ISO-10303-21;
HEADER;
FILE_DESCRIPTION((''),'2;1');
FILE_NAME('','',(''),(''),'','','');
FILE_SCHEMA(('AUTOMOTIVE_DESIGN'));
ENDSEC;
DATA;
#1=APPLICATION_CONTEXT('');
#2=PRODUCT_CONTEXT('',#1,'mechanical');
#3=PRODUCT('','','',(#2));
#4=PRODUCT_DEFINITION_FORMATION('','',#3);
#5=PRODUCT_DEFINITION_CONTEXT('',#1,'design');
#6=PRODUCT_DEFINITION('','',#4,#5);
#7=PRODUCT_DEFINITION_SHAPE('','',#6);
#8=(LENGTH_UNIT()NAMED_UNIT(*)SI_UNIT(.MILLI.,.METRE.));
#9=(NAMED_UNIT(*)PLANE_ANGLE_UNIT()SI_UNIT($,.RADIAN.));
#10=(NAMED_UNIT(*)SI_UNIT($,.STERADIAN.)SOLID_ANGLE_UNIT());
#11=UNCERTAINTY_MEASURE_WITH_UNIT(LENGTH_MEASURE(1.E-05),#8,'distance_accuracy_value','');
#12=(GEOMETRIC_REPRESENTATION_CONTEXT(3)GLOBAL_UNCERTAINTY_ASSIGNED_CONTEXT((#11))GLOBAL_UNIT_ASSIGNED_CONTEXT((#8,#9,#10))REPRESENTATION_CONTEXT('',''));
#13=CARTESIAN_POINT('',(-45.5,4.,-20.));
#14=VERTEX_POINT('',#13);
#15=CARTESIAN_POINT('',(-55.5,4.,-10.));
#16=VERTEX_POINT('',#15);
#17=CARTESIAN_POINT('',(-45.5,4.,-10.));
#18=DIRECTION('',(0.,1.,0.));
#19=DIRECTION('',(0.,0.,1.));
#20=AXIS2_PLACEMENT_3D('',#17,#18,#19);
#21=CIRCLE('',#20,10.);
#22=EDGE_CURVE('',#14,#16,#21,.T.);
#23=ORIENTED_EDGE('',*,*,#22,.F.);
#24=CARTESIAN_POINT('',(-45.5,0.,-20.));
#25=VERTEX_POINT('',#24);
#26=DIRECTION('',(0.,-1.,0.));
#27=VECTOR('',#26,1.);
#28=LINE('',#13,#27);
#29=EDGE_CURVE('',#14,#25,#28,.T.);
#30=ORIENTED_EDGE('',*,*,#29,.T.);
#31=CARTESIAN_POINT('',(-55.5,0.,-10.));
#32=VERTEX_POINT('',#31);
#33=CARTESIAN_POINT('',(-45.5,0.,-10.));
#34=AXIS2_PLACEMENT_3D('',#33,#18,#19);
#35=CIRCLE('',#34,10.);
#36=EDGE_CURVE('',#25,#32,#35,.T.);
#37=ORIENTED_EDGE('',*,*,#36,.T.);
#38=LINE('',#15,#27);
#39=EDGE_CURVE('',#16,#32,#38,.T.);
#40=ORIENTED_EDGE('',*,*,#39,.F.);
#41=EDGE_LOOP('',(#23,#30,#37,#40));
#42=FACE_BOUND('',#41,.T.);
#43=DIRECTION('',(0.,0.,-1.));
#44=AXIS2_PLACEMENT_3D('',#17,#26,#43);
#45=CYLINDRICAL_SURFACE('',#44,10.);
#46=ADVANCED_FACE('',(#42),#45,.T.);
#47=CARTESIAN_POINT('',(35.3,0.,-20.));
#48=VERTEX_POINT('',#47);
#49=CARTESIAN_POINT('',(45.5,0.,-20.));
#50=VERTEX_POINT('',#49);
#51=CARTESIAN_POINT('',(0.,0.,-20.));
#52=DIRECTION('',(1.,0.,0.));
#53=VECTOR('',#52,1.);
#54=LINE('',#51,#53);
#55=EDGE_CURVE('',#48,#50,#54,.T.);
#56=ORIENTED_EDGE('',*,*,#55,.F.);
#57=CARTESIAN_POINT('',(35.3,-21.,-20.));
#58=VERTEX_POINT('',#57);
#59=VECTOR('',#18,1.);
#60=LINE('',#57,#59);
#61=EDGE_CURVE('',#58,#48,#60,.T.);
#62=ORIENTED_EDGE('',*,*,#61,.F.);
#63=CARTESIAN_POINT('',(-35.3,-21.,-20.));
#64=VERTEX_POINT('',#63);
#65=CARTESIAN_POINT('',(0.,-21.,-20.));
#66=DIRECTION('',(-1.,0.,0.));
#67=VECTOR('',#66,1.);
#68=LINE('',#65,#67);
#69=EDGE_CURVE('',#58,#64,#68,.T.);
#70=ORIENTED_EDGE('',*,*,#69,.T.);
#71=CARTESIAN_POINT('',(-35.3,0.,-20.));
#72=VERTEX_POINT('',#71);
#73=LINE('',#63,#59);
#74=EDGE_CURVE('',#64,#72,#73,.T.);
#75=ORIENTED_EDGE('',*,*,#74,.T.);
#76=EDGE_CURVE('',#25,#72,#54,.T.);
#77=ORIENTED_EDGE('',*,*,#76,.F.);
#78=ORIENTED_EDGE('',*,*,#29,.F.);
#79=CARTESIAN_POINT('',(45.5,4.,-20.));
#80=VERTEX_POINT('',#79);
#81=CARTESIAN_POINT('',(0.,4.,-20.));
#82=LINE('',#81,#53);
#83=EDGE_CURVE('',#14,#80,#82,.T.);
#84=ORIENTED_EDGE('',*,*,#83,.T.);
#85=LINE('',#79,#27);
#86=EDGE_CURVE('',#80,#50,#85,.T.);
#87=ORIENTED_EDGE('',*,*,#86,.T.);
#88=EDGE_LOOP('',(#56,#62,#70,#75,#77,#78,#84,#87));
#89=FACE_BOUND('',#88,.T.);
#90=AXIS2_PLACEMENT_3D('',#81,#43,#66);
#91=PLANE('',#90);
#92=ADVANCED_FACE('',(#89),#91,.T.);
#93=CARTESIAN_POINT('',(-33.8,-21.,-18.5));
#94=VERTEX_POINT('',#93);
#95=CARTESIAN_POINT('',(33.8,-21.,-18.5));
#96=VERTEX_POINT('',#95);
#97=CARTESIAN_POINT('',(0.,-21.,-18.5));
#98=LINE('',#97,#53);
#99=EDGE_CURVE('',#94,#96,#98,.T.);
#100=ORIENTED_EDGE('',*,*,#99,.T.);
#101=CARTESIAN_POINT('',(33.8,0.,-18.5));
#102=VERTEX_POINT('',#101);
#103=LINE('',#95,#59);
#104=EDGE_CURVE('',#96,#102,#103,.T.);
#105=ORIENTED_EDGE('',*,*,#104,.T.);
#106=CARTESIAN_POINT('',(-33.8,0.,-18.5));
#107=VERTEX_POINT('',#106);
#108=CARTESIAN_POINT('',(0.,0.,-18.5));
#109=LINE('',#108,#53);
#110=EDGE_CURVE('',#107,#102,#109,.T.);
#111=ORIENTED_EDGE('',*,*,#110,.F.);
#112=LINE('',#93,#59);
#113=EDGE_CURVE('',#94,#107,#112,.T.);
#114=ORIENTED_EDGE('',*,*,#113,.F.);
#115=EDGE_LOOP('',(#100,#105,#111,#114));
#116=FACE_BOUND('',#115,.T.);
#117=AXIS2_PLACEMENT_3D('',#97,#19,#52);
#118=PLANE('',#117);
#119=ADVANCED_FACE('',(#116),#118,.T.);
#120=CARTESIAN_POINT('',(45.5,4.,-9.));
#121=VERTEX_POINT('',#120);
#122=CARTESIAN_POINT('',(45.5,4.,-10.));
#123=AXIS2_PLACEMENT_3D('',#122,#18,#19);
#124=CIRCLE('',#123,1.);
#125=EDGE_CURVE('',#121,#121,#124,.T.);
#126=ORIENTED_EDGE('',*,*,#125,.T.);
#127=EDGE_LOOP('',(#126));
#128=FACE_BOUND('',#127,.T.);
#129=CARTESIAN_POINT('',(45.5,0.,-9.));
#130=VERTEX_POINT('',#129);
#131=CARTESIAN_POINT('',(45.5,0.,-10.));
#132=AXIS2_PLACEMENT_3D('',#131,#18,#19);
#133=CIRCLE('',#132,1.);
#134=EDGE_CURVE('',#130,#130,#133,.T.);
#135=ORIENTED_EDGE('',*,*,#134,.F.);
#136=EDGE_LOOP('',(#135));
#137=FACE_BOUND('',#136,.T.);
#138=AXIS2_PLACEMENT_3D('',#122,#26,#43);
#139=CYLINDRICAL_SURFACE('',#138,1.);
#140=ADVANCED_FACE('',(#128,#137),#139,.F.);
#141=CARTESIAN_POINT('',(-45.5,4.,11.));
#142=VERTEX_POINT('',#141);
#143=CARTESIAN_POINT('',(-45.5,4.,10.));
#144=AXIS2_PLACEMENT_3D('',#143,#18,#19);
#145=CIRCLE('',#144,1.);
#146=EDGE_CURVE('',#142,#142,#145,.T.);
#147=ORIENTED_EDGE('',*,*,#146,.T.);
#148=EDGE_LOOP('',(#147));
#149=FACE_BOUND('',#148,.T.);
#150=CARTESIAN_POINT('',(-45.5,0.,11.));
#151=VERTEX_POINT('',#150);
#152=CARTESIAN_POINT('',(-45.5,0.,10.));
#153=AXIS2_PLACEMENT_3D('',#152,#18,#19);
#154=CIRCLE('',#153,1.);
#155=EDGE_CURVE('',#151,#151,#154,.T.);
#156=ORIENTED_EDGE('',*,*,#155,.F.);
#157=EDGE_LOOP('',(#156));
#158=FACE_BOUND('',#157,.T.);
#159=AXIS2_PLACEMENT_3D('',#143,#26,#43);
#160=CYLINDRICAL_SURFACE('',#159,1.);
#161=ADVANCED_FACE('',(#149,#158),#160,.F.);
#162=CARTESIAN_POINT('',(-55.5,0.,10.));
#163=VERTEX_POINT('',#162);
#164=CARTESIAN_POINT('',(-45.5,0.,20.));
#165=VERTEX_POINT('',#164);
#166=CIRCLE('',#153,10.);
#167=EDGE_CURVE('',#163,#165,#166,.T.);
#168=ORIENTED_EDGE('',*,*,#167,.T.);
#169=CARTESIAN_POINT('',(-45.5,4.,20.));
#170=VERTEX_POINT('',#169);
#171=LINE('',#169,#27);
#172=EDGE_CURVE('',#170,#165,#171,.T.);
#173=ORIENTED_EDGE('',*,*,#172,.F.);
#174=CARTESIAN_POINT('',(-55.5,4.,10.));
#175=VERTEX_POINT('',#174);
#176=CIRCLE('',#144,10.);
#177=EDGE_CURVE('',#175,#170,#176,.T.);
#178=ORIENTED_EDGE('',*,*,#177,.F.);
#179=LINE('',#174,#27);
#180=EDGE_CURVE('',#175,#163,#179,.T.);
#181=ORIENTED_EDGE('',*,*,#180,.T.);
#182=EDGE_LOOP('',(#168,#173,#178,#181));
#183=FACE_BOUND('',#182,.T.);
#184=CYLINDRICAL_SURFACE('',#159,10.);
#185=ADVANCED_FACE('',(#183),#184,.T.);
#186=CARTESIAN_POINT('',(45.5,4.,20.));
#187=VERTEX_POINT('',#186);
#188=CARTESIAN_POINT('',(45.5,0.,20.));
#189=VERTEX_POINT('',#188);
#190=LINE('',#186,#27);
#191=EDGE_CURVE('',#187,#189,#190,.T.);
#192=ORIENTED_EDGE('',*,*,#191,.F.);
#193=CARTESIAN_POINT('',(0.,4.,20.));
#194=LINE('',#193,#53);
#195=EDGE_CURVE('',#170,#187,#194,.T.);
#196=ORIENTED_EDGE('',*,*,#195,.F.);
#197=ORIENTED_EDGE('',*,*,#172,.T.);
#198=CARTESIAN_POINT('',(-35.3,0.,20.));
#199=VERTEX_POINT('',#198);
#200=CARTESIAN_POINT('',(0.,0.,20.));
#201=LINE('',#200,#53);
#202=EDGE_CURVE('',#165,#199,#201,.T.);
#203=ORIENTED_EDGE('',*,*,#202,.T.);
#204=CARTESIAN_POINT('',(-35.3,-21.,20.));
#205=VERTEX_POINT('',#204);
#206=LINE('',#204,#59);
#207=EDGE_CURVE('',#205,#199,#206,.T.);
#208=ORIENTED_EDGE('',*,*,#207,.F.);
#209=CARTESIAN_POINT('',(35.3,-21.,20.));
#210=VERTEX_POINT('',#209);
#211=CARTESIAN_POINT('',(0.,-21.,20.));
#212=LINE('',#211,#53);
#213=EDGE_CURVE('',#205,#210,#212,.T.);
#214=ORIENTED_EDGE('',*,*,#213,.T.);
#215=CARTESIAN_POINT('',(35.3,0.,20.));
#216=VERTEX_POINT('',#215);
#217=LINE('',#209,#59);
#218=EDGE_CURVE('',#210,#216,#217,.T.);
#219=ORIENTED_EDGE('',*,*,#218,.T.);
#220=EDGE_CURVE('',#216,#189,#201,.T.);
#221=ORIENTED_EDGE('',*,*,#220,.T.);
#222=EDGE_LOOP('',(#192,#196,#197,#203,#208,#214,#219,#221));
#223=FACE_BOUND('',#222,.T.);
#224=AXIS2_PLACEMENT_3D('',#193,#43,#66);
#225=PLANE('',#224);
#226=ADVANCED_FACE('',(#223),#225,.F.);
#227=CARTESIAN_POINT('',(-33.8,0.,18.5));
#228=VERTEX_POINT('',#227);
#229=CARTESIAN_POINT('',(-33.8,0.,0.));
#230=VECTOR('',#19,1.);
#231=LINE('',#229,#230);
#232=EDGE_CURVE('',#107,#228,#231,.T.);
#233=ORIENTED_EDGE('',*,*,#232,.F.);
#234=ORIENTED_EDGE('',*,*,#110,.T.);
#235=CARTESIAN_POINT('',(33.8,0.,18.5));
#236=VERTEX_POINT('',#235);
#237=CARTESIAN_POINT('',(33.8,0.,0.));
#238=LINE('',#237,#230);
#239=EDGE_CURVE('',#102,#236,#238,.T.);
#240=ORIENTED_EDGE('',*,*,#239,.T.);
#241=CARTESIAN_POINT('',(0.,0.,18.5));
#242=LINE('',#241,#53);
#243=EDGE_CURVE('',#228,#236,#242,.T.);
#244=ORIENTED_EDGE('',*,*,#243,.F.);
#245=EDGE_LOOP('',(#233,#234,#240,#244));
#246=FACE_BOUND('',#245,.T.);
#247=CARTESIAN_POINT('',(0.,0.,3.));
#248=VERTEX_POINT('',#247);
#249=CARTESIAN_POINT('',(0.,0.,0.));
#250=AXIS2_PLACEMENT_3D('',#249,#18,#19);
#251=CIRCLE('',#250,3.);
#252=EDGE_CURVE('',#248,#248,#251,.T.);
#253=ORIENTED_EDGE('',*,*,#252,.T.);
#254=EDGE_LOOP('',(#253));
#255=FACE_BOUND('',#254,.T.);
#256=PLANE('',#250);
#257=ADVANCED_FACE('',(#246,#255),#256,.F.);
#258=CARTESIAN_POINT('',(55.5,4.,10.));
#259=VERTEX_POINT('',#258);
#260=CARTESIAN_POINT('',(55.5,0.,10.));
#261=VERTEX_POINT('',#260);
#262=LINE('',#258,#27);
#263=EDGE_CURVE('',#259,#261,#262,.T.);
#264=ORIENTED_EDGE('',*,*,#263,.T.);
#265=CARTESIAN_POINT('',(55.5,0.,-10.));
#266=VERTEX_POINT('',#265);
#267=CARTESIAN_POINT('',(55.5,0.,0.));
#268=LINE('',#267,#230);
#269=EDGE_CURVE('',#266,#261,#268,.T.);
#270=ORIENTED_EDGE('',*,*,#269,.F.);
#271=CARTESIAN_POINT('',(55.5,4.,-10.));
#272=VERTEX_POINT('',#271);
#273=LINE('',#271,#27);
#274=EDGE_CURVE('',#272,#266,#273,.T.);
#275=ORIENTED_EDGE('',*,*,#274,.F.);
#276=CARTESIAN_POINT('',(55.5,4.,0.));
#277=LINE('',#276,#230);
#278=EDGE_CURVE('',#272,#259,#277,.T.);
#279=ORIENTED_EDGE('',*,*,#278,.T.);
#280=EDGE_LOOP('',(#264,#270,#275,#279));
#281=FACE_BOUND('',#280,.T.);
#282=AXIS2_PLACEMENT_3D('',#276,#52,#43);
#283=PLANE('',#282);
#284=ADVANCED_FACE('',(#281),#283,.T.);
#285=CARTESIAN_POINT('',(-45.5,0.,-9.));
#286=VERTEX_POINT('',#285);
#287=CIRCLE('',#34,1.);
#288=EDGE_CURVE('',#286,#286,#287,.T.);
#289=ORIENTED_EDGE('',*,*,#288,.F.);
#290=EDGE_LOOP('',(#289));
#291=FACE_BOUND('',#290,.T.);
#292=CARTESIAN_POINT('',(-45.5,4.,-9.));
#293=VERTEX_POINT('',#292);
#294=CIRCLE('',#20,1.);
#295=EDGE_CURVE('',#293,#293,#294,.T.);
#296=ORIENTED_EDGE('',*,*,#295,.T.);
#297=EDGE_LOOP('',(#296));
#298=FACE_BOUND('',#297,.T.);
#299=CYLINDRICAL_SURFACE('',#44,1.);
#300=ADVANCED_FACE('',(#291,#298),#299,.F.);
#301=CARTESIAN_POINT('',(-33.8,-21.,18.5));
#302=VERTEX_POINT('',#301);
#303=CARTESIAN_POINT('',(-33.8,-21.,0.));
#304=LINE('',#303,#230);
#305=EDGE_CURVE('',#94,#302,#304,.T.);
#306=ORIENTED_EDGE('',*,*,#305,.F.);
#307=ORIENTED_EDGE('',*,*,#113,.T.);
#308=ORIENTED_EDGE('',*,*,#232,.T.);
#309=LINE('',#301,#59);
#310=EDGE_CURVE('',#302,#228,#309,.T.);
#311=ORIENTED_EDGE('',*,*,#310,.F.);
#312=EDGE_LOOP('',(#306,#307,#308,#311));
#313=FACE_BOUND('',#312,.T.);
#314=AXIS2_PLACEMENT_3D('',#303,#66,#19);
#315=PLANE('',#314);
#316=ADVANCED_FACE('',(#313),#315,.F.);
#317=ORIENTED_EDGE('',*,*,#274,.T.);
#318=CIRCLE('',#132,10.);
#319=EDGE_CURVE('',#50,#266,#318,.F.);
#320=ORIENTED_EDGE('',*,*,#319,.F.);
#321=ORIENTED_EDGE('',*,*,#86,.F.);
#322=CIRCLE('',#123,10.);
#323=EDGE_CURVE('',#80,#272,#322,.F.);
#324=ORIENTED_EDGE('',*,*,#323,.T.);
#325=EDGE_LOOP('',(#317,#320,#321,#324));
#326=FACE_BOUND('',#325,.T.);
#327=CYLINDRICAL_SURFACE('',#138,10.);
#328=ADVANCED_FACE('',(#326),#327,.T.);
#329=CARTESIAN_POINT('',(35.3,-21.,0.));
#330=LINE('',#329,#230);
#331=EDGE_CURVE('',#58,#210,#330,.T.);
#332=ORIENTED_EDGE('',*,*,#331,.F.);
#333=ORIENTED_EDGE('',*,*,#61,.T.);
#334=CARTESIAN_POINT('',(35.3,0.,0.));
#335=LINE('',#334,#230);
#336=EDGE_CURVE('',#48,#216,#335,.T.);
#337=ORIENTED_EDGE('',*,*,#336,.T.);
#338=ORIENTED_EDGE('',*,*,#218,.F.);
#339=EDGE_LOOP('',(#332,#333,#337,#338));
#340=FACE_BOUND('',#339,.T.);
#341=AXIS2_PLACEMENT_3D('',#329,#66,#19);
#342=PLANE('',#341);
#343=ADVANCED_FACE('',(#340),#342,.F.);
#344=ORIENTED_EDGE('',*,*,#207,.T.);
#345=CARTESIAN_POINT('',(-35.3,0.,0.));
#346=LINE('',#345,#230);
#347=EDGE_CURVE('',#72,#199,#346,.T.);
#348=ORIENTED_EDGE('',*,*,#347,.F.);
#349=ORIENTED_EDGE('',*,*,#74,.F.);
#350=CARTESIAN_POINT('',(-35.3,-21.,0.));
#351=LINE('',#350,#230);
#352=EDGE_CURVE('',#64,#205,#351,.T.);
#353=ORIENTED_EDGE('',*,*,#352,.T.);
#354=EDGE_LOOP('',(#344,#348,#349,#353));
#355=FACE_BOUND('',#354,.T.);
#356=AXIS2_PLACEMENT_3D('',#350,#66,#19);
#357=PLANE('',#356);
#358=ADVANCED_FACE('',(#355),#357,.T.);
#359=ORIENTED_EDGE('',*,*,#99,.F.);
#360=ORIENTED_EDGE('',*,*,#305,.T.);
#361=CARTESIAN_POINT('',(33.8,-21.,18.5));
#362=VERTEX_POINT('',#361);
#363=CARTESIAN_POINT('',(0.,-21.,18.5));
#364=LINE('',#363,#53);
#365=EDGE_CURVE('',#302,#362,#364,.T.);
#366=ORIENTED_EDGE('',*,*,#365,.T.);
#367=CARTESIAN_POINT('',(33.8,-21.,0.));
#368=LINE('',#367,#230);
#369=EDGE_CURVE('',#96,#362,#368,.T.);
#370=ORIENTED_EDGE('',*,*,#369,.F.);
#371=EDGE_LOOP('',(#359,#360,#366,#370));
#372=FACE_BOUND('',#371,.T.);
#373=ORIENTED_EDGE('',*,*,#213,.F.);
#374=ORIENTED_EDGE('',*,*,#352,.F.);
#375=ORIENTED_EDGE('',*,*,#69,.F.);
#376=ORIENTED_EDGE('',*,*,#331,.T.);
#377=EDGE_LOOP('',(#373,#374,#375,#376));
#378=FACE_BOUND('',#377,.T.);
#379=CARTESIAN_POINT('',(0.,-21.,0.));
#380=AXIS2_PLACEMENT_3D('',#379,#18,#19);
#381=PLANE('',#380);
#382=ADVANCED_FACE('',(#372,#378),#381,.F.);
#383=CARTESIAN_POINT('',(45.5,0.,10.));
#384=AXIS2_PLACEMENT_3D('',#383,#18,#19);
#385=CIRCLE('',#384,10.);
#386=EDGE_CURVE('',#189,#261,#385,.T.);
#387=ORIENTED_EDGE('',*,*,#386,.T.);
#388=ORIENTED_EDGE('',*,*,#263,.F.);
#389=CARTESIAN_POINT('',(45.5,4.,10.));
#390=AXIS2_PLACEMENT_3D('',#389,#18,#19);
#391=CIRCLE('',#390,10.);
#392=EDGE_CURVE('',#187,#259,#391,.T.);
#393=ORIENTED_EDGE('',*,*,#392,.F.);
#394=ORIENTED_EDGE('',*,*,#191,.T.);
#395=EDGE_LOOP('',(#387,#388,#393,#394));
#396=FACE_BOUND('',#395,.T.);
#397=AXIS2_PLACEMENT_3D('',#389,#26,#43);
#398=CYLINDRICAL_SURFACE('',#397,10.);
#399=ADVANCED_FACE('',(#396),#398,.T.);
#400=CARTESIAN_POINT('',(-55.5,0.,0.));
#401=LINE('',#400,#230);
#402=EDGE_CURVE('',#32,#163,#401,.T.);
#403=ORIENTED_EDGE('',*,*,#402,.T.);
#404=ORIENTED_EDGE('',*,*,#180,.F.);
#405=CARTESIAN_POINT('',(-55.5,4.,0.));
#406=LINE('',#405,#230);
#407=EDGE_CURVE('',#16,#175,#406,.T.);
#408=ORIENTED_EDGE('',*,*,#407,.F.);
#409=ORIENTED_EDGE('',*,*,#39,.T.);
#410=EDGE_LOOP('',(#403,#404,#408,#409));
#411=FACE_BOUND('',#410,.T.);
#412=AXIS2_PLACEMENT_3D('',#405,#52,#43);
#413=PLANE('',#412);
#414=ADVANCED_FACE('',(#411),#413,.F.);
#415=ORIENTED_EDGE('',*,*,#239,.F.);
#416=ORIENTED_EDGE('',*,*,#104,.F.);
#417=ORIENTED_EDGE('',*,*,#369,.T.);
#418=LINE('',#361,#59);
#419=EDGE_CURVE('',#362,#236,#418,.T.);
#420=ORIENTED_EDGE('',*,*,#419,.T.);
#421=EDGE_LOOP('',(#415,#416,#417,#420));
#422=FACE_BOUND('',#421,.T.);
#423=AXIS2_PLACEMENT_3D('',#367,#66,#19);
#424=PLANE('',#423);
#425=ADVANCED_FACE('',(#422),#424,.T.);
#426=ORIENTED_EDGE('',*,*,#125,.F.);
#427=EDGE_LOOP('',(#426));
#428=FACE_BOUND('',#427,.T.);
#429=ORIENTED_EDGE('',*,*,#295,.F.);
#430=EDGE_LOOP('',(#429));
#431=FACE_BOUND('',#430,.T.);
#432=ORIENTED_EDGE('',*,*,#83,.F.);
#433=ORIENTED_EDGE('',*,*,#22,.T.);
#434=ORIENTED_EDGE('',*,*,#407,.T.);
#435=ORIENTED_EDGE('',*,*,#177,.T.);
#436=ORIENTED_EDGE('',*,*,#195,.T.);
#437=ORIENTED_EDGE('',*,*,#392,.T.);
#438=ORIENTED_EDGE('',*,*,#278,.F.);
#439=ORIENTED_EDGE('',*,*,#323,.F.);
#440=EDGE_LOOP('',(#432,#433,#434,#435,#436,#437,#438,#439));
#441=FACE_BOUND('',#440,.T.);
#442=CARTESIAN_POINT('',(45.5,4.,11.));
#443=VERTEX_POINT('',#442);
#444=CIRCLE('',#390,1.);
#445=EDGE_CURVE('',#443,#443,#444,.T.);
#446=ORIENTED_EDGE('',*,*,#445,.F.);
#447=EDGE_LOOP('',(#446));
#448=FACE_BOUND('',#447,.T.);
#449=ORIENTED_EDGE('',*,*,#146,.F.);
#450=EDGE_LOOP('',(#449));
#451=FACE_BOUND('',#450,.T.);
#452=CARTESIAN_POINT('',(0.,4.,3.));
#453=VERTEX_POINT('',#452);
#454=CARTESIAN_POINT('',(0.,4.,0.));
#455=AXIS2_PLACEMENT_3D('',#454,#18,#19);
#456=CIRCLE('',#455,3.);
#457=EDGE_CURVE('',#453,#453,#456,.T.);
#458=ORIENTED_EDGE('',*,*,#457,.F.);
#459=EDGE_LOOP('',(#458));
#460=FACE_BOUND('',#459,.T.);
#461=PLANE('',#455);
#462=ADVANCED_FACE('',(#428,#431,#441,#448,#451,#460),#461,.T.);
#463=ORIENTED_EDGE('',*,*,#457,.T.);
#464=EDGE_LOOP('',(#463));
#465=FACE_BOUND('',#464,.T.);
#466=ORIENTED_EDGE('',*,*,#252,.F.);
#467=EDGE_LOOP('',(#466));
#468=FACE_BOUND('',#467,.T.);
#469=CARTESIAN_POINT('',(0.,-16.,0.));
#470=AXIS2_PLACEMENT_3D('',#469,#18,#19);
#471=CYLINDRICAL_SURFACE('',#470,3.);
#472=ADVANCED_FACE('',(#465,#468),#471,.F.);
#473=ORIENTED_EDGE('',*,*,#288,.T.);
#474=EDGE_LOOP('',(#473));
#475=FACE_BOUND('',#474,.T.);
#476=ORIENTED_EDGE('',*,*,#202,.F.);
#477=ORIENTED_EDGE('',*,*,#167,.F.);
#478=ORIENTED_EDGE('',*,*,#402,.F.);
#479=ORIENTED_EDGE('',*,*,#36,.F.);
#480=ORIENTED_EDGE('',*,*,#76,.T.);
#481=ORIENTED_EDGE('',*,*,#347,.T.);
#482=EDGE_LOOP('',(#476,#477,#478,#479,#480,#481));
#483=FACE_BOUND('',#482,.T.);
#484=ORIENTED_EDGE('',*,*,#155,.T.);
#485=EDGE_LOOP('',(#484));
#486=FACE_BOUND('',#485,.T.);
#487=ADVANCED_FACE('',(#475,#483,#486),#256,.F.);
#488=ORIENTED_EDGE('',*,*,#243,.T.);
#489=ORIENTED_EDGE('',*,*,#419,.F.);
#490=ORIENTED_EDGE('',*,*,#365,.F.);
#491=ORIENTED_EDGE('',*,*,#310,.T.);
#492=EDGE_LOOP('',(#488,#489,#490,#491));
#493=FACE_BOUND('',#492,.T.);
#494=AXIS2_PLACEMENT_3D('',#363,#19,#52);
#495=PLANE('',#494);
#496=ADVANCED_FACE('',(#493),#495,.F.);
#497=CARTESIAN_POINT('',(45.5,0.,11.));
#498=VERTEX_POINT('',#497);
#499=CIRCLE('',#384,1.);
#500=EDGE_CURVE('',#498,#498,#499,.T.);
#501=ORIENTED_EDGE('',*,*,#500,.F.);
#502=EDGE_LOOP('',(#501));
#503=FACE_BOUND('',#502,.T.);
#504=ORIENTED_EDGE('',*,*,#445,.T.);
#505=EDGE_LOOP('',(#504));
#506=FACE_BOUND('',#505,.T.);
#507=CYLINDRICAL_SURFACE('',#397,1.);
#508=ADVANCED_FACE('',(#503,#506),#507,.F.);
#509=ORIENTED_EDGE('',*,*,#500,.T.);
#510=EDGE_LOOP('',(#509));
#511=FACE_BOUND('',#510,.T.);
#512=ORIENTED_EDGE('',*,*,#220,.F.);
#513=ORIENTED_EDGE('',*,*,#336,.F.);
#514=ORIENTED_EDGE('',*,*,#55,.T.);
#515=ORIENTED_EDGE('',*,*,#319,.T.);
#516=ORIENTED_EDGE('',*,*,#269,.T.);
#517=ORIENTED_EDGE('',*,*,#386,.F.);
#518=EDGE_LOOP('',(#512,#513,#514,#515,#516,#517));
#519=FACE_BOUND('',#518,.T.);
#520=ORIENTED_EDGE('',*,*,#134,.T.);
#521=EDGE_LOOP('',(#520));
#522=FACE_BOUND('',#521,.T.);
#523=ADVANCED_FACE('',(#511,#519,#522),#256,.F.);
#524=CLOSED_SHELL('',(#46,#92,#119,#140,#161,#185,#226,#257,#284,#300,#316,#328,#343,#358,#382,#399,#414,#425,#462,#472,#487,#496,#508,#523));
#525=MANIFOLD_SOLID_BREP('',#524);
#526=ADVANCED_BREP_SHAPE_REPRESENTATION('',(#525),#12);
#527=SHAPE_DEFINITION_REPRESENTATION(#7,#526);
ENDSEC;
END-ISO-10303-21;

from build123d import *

# Parameters (mm, degrees)
SKETCH1_R           = 1
BOSS_EXTRUDE1_DEPTH = 4
BOSS_EXTRUDE3_DEPTH = 25
SKETCH3_R           = 3
CUT_EXTRUDE1_DEPTH  = 20


with BuildPart() as part:
    # Sketch1 → Boss-Extrude1 (new body)
    with BuildSketch(Plane(origin=(0, 0, 0), x_dir=(1, 0, 0), z_dir=(0, 1, 0))):
        with BuildLine():
            Line((-35.5, 20), (-35.5, 0))
            Line((-35.5, 0), (-35.5, -20))
            Line((-35.5, -20), (45.5, -20))
            ThreePointArc((45.5, -20), (52.571067812, -17.071067812), (55.5, -10))
            Line((55.5, -10), (55.5, 10))
            ThreePointArc((55.5, 10), (52.571067812, 17.071067812), (45.5, 20))
            Line((45.5, 20), (-35.5, 20))
        make_face()
        with Locations((45.5, -10)):
            Circle(SKETCH1_R, mode=Mode.SUBTRACT)
        Circle(SKETCH1_R, mode=Mode.SUBTRACT)
        with Locations((45.5, 10)):
            Circle(SKETCH1_R, mode=Mode.SUBTRACT)
        with BuildLine():
            Line((-35.5, -20), (-35.5, 0))
            Line((-35.5, 0), (-35.5, 20))
            Line((-35.5, 20), (-45.5, 20))
            ThreePointArc((-45.5, 20), (-52.571067812, 17.071067812), (-55.5, 10))
            Line((-55.5, 10), (-55.5, 0))
            Line((-55.5, 0), (-55.5, -10))
            ThreePointArc((-55.5, -10), (-52.571067812, -17.071067812), (-45.5, -20))
            Line((-45.5, -20), (-35.5, -20))
        make_face()
        with Locations((-45.5, -10)):
            Circle(SKETCH1_R, mode=Mode.SUBTRACT)
        with Locations((-45.5, 10)):
            Circle(SKETCH1_R, mode=Mode.SUBTRACT)
    extrude(amount=BOSS_EXTRUDE1_DEPTH)

    # Sketch2 → Boss-Extrude3 (add)
    with BuildSketch(Plane(origin=(0, 4, 0), x_dir=(1, 0, 0), z_dir=(0, 1, 0))):
        Polygon((-35.3, 0), (-35.3, -20), (35.3, -20), (35.3, 0), (35.3, 20), (-35.3, 20), align=None)
        Polygon((33.8, -18.5), (-33.8, -18.5), (-33.8, 0), (-33.8, 18.5), (33.8, 18.5), (33.8, 0), align=None, mode=Mode.SUBTRACT)
    extrude(amount=-BOSS_EXTRUDE3_DEPTH)

    # Sketch3 → Cut-Extrude1 (cut)
    with BuildSketch(Plane(origin=(0, 4, 0), x_dir=(1, 0, 0), z_dir=(0, 1, 0))):
        Circle(SKETCH3_R)
    extrude(amount=-CUT_EXTRUDE1_DEPTH, mode=Mode.SUBTRACT)


solid = part.part
